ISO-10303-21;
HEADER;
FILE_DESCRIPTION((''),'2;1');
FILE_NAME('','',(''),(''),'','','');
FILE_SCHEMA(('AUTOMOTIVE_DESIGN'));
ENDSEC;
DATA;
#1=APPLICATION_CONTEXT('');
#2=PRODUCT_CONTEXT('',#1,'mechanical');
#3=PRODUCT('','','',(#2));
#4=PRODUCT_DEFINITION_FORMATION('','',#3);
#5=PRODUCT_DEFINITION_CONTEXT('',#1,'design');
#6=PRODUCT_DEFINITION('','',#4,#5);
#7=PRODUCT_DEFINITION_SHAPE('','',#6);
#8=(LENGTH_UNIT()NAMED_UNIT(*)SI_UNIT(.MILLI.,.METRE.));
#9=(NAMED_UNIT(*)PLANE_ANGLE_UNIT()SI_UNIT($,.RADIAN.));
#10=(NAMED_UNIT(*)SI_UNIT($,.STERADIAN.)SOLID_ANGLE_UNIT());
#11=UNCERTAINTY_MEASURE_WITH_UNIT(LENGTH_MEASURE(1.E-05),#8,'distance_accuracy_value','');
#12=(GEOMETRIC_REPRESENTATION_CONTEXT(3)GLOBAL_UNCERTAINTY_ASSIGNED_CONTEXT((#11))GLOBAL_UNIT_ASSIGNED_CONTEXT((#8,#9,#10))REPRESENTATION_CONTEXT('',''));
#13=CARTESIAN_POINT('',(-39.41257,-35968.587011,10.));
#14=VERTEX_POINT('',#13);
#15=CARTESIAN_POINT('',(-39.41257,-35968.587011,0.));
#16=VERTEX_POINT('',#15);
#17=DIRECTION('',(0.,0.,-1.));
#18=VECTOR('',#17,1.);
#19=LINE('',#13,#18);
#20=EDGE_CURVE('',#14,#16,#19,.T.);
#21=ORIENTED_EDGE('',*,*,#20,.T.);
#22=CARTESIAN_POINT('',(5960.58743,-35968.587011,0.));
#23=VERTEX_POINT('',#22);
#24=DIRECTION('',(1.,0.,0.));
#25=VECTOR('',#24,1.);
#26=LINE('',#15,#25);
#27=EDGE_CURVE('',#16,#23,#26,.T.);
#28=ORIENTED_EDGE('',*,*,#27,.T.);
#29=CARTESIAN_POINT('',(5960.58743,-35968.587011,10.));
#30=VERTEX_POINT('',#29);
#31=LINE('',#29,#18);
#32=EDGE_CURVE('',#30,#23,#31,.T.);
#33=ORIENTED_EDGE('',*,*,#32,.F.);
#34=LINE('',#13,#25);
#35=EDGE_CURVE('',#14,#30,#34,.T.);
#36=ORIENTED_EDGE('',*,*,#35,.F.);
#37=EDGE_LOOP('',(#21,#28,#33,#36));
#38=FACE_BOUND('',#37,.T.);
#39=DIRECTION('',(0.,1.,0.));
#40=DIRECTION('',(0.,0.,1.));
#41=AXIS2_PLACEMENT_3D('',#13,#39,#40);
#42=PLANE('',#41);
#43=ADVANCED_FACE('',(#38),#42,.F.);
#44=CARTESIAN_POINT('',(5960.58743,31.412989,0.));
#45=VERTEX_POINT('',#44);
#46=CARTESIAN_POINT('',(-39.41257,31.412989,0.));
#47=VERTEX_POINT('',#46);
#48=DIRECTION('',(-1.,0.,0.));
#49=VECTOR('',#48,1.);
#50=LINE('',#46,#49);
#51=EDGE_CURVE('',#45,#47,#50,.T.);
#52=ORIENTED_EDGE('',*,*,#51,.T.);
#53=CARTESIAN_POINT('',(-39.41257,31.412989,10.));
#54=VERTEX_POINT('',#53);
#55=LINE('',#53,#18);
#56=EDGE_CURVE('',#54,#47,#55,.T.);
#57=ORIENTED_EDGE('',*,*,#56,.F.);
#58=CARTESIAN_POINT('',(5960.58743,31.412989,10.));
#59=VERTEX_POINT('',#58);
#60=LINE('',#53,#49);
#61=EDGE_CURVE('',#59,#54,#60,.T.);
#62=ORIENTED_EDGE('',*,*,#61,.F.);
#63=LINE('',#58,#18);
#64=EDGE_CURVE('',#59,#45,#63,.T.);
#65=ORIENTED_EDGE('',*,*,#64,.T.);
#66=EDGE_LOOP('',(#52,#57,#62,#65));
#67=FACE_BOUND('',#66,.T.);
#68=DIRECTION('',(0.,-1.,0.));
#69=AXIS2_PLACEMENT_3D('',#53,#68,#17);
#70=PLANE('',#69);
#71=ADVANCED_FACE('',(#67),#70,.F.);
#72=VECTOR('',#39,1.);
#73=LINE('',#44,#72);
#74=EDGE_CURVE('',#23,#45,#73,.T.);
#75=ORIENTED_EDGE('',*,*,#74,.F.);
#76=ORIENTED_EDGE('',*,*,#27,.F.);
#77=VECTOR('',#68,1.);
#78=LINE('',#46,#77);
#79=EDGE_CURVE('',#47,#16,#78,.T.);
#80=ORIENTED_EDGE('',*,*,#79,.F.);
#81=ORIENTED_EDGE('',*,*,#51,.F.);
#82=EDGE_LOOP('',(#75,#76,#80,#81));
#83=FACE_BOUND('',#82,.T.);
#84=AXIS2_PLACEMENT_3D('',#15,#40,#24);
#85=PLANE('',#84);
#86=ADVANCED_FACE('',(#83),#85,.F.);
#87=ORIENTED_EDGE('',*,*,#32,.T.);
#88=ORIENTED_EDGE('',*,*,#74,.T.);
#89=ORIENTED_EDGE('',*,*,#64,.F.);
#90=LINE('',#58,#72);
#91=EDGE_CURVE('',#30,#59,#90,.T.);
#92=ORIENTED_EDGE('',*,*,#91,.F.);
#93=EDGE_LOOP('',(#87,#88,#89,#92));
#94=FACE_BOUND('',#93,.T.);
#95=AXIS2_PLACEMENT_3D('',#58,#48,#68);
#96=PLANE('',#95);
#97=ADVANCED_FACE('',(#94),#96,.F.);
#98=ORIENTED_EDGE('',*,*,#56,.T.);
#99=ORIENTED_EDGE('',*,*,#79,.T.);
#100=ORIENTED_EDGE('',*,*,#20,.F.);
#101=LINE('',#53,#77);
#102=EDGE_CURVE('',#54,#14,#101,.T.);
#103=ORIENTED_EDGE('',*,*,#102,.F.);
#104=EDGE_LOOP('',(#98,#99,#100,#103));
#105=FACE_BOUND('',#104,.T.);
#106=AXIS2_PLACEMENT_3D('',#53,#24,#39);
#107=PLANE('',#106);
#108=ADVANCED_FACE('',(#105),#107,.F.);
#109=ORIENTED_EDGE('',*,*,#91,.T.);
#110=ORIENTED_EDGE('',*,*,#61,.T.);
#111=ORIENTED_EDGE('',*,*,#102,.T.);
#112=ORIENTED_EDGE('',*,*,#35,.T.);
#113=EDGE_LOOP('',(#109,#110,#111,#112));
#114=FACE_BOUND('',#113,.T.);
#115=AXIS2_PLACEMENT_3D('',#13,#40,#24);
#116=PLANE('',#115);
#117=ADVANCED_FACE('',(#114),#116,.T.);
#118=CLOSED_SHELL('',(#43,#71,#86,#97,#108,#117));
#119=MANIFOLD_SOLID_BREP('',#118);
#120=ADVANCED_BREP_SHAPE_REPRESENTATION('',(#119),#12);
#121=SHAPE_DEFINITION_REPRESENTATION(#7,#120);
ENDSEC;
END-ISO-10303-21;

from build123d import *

# Parameters (mm, degrees)
SKETCH_1_W      = 6000
SKETCH_1_H      = 36000
EXTRUDE_1_DEPTH = 10


with BuildPart() as part:
    # 草图1 → 拉伸1 (new body)
    with BuildSketch(Plane.XY):
        with Locations((2960.587430168, -17968.587011173)):
            Rectangle(SKETCH_1_W, SKETCH_1_H)
    extrude(amount=EXTRUDE_1_DEPTH)


solid = part.part
